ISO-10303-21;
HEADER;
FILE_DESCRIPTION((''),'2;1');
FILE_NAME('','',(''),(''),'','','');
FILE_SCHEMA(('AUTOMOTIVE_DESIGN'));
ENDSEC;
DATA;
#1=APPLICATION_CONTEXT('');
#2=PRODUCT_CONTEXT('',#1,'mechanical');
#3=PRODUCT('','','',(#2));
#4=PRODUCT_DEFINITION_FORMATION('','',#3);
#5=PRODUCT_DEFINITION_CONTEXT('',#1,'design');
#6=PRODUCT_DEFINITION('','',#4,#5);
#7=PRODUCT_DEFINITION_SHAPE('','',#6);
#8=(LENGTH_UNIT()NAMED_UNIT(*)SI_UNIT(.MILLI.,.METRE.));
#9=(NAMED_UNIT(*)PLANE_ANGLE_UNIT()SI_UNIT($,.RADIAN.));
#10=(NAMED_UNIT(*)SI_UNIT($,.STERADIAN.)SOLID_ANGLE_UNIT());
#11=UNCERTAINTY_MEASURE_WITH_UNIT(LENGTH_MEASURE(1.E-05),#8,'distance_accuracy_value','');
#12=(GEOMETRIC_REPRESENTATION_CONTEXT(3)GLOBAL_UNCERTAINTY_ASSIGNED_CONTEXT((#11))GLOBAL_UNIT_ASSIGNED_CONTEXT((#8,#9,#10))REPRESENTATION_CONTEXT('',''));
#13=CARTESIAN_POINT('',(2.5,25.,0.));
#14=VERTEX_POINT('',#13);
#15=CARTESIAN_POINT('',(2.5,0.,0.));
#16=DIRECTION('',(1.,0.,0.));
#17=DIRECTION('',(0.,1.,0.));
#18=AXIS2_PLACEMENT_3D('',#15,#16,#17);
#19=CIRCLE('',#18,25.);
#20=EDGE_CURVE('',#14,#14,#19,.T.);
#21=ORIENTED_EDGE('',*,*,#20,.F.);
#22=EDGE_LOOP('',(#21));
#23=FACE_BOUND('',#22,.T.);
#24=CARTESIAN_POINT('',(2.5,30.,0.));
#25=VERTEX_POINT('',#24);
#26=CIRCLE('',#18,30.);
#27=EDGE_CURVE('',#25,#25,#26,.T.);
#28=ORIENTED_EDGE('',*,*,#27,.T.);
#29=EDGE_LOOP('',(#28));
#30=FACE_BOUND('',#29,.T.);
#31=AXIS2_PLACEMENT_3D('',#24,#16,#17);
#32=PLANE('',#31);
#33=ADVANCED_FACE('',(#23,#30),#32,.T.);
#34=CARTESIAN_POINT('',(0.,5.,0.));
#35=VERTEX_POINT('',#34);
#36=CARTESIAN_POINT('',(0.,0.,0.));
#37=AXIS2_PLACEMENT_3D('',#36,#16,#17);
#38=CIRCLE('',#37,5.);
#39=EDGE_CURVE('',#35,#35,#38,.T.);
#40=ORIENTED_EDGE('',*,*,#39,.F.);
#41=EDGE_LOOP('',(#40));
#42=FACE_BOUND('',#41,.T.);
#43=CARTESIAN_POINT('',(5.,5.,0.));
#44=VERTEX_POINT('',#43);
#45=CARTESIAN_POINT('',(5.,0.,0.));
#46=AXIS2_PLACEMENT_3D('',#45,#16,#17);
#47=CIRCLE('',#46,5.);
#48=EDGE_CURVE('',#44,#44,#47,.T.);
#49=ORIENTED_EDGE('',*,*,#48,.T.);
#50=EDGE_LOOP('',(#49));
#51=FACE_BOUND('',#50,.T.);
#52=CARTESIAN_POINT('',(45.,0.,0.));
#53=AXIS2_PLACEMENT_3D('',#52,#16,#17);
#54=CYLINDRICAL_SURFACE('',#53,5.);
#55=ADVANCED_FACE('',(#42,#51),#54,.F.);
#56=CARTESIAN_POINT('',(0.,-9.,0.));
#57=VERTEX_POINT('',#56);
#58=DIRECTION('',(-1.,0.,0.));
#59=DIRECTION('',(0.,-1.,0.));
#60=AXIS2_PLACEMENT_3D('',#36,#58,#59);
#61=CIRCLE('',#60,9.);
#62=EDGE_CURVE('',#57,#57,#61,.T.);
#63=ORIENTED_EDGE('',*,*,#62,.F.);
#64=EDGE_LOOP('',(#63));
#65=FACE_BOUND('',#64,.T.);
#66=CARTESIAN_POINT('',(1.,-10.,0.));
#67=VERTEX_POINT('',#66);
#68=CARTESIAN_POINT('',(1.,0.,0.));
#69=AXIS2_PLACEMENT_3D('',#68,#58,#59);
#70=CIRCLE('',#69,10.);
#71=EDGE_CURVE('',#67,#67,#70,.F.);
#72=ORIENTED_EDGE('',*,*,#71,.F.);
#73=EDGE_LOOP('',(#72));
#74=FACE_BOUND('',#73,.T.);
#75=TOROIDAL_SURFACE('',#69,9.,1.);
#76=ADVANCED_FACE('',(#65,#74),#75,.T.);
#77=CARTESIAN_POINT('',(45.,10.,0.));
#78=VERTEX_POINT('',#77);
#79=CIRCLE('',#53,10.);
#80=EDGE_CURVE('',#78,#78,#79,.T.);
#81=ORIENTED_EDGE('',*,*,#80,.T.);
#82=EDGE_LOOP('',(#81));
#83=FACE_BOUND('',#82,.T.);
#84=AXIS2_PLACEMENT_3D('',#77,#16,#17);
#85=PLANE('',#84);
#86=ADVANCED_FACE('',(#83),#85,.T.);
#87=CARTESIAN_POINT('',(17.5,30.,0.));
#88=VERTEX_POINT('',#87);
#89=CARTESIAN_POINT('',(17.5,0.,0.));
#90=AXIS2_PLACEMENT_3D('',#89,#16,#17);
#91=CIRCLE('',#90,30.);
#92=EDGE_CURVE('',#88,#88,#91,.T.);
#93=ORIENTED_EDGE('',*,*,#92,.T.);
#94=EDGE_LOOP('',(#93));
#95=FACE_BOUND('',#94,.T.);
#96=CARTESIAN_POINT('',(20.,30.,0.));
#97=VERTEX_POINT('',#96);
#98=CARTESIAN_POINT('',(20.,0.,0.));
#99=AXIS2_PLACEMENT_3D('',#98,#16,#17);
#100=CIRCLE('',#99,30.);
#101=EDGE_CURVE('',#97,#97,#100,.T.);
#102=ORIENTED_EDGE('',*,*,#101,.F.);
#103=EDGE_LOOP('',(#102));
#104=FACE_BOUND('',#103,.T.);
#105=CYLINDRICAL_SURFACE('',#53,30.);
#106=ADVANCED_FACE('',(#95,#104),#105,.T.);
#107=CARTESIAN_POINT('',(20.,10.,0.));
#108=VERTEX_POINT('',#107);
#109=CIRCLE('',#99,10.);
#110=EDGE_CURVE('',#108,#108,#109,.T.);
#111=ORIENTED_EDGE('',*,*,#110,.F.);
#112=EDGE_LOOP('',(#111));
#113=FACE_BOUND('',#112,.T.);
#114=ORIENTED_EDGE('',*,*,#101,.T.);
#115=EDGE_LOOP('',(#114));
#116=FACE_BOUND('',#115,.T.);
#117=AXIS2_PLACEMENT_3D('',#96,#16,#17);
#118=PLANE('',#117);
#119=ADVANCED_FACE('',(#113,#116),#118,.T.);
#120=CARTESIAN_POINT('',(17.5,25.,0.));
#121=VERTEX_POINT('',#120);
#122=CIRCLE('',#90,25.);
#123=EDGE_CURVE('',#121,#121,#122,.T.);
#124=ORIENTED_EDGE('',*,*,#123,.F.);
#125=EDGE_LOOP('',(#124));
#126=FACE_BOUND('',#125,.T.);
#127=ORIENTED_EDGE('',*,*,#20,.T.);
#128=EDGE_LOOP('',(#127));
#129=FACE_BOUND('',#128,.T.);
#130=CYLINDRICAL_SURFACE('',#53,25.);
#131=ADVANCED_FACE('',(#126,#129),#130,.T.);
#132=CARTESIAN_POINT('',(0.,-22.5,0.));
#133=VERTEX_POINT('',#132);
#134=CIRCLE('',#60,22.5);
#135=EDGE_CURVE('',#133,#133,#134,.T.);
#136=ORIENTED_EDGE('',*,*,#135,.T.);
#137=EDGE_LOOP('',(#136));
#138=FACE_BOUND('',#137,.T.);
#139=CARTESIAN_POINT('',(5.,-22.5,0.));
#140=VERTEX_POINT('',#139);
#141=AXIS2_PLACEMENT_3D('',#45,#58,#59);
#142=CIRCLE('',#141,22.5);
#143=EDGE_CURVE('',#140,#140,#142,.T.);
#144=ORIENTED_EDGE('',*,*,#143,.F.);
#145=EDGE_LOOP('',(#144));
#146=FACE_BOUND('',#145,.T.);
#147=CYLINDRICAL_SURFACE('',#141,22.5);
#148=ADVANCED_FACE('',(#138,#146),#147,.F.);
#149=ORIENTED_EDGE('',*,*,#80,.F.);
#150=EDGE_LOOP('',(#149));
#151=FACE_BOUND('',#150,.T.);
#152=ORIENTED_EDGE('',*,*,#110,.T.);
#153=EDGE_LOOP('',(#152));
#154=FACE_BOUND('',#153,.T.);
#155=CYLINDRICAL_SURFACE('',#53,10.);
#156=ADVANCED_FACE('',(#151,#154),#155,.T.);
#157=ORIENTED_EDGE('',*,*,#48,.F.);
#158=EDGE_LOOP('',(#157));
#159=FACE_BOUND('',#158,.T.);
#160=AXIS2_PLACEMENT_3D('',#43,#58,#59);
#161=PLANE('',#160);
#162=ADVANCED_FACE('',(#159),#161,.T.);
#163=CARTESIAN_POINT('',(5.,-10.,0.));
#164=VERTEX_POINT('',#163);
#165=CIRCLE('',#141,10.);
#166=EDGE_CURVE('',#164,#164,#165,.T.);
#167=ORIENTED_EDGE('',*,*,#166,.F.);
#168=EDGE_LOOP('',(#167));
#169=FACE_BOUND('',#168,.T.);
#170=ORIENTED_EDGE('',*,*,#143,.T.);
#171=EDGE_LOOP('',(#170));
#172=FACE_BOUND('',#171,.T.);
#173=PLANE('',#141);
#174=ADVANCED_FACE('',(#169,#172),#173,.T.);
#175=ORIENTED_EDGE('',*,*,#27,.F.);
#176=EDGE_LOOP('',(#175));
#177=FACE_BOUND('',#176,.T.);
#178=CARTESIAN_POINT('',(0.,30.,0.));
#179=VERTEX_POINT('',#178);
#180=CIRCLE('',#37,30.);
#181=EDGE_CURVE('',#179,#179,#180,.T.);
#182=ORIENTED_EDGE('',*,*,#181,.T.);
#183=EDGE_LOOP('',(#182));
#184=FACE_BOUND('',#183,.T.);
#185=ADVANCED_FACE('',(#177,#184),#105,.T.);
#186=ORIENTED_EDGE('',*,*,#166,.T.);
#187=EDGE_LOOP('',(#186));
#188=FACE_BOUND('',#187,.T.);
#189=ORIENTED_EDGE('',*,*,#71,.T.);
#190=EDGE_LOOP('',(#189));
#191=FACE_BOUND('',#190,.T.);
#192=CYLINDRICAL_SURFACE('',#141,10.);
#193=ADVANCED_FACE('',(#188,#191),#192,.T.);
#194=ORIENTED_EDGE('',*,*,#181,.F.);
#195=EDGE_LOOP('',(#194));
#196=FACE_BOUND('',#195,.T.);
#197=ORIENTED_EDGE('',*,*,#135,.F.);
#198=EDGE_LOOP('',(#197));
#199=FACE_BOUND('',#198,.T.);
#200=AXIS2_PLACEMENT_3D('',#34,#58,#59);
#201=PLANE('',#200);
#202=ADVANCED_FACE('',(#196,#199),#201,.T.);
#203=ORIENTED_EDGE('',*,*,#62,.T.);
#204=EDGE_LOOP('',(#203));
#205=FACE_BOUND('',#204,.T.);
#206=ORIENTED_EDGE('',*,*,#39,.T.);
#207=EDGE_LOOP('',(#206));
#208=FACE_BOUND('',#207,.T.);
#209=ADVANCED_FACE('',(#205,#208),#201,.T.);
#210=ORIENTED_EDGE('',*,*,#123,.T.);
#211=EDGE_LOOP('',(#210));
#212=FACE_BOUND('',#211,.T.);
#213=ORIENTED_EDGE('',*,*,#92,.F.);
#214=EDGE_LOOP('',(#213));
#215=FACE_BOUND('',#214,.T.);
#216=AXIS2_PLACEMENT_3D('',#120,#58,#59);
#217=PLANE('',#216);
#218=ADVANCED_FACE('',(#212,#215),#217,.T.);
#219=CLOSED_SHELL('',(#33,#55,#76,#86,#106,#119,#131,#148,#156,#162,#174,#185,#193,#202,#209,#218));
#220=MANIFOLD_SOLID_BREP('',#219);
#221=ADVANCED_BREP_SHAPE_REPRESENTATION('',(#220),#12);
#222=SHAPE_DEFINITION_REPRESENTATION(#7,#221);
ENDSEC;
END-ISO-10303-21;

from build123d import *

# Parameters (mm, degrees)
CUT_EXTRUDE1_START = -5
SKETCH2_R          = 22.5
SKETCH2_R_2        = 10
CUT_EXTRUDE1_DEPTH = 5
FILLET1_R          = 1


with BuildPart() as part:
    # Sketch1 → Revolve1 (revolve)
    with BuildSketch(Plane.XY):
        Polygon((0, 5), (0, 30), (2.5, 30), (2.5, 25), (17.5, 25), (17.5, 30), (20, 30), (20, 10), (45, 10), (45, 0), (5, 0), (5, 5), align=None)
    revolve(axis=Axis((45, 0, 0), (-1, 0, 0)))

    # Sketch2 → Cut-Extrude1 (cut)
    with BuildSketch(Plane.ZY.offset(CUT_EXTRUDE1_START)):
        with Locations(Location((0, 0, 0), (0, 0, 270))):
            Circle(SKETCH2_R)
        with Locations(Location((0, 0, 0), (0, 0, 90))):
            Circle(SKETCH2_R_2, mode=Mode.SUBTRACT)
    extrude(amount=CUT_EXTRUDE1_DEPTH, mode=Mode.SUBTRACT)

    # Fillet1
    fillet1_edges = [part.edges().sort_by_distance(p)[0] for p in [
        (0, -10, 0),
    ]]
    fillet(fillet1_edges, radius=FILLET1_R)


solid = part.part
